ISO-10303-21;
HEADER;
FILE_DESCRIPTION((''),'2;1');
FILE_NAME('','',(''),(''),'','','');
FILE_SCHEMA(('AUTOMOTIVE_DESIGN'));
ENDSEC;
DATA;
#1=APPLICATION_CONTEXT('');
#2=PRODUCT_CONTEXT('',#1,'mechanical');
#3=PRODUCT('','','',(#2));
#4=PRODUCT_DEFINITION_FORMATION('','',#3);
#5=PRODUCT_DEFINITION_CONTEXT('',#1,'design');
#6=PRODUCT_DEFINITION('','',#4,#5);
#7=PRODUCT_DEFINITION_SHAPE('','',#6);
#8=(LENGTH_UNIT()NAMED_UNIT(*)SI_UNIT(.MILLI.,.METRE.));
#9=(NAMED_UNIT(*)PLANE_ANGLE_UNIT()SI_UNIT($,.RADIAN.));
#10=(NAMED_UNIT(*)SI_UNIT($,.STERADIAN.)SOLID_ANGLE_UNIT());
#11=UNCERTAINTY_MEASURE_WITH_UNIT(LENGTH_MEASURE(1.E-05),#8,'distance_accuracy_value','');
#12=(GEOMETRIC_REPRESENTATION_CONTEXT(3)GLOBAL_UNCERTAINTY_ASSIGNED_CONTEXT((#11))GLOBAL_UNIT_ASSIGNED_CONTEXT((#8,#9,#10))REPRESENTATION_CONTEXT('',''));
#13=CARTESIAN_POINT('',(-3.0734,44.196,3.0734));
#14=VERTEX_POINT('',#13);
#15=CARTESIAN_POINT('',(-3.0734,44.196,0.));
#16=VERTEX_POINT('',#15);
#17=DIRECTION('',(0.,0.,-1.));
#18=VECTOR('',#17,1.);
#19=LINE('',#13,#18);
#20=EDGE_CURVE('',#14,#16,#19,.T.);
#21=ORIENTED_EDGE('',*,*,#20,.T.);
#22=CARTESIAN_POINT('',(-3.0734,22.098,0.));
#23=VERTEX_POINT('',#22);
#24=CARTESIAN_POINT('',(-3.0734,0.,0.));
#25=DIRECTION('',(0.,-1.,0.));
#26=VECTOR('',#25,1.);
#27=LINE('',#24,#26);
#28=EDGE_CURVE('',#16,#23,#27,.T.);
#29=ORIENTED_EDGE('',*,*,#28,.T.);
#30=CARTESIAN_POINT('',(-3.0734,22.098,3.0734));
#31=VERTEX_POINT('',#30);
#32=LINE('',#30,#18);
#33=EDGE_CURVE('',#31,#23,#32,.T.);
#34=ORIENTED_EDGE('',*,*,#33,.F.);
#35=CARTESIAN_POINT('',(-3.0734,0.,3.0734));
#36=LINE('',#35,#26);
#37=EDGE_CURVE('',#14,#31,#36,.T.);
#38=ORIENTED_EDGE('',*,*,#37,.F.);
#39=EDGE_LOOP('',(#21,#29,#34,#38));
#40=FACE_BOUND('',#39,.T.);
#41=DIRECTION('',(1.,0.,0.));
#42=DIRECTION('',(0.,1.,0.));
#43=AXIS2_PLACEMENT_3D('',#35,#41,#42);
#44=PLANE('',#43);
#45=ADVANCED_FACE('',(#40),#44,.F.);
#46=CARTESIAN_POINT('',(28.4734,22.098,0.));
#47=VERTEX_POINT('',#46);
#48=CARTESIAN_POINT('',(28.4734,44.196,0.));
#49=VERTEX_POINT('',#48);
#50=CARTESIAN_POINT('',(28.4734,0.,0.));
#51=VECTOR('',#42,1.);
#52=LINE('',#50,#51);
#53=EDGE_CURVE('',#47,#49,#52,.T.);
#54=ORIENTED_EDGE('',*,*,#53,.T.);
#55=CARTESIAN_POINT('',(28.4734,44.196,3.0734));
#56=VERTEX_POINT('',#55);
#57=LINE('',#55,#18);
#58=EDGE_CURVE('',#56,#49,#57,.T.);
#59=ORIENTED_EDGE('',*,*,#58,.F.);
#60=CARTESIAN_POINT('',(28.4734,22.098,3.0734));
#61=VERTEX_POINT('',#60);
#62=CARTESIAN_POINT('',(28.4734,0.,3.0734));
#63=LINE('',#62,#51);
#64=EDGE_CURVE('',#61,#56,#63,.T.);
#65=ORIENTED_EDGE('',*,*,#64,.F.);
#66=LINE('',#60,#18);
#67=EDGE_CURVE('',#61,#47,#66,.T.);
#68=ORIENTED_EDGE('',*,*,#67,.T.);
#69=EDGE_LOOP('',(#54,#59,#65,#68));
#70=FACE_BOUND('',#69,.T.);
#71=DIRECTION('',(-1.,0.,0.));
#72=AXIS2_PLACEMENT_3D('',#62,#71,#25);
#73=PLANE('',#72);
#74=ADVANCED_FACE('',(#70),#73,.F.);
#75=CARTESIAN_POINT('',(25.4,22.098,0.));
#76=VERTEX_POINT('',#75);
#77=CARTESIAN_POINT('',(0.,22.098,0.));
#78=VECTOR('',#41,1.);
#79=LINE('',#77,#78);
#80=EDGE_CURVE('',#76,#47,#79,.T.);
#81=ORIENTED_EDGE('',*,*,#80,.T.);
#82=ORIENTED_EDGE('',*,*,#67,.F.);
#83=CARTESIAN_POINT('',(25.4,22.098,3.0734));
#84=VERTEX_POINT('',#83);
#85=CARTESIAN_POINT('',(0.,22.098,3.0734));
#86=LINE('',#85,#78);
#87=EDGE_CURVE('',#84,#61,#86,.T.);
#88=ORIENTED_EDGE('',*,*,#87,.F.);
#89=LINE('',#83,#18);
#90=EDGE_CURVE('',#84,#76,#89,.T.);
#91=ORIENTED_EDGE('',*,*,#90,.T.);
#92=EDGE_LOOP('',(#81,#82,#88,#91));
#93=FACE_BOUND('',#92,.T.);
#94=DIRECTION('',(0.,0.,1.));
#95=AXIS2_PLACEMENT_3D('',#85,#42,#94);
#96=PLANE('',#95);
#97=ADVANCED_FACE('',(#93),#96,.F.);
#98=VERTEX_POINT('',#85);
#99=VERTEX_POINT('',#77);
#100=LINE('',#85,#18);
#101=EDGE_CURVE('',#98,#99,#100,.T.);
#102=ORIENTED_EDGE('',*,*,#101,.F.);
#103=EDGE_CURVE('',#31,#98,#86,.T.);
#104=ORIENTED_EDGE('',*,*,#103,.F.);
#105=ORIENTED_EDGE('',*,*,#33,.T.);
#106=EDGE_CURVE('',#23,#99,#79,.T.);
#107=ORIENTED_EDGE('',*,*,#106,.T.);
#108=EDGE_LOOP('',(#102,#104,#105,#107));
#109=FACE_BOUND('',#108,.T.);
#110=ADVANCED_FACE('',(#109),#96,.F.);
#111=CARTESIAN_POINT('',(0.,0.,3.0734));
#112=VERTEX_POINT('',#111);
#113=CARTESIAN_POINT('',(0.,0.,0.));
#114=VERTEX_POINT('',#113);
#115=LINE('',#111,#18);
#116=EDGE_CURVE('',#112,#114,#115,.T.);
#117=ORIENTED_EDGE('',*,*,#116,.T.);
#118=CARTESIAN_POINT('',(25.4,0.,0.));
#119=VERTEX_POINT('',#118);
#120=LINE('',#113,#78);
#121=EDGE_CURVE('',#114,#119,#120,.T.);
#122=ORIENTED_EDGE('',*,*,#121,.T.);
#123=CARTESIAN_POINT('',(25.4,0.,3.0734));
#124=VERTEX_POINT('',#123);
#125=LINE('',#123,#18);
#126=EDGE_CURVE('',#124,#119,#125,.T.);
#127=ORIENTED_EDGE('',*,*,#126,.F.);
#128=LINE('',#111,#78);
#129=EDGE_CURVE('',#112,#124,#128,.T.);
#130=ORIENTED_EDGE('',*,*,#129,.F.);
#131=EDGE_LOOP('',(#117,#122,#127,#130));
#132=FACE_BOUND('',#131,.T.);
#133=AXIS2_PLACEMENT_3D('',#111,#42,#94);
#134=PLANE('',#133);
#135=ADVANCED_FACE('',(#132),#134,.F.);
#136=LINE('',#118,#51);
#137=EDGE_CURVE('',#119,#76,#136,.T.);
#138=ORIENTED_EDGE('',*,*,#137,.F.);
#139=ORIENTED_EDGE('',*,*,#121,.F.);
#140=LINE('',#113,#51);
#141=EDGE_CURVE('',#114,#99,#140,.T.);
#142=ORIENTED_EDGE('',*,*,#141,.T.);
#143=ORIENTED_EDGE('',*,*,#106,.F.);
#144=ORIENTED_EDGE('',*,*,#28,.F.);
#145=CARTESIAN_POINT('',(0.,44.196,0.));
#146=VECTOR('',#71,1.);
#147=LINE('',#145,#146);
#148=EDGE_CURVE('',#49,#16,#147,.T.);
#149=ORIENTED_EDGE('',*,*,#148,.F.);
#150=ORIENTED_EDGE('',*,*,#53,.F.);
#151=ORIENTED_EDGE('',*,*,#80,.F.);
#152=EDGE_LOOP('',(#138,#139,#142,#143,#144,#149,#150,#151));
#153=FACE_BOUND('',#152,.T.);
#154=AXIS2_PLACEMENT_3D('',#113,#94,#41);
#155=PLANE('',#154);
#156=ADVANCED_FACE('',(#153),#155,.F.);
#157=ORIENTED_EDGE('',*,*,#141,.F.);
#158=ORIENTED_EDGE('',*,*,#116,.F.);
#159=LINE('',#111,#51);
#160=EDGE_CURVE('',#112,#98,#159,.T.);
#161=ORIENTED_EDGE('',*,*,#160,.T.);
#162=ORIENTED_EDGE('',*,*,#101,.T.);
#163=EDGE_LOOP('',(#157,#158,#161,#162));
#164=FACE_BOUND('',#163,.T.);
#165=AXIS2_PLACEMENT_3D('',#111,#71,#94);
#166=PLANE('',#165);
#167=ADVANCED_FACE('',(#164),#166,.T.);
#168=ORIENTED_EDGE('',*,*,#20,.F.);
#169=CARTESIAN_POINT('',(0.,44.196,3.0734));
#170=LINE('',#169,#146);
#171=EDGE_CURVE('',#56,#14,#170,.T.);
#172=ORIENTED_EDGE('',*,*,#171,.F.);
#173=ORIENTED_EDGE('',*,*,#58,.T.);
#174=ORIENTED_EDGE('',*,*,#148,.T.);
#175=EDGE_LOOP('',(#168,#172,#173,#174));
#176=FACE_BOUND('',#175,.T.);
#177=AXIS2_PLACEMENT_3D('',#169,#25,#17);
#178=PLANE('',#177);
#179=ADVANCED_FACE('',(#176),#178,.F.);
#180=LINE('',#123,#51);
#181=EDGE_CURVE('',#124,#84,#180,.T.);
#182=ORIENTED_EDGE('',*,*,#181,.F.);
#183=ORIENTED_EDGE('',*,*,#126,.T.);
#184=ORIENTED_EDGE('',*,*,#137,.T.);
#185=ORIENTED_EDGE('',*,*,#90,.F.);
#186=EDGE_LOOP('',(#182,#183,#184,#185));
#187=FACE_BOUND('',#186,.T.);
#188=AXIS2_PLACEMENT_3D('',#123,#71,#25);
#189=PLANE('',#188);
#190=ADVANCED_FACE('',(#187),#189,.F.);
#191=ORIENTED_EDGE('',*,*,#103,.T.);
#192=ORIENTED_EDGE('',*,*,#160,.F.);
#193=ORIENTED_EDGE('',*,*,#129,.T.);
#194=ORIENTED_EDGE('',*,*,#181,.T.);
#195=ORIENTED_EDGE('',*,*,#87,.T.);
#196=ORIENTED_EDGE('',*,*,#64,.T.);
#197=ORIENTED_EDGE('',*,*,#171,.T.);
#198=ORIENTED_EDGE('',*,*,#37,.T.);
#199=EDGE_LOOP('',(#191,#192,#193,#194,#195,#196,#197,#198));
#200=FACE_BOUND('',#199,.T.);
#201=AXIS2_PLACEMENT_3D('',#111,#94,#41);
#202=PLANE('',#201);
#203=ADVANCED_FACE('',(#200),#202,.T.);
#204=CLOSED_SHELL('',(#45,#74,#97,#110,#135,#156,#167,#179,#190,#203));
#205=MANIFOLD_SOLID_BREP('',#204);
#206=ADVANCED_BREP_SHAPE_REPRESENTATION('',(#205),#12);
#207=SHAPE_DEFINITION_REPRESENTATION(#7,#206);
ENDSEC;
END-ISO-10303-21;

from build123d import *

# Parameters (mm, degrees)
BOSS_EXTRUDE1_DEPTH = 3.0734


with BuildPart() as part:
    # Sketch1 → Boss-Extrude1 (new body)
    with BuildSketch(Plane.XY):
        Polygon((28.4734, 44.196), (-3.0734, 44.196), (-3.0734, 22.098), (0, 22.098), (0, 0), (25.4, 0), (25.4, 22.098), (28.4734, 22.098), align=None)
    extrude(amount=BOSS_EXTRUDE1_DEPTH)


solid = part.part
